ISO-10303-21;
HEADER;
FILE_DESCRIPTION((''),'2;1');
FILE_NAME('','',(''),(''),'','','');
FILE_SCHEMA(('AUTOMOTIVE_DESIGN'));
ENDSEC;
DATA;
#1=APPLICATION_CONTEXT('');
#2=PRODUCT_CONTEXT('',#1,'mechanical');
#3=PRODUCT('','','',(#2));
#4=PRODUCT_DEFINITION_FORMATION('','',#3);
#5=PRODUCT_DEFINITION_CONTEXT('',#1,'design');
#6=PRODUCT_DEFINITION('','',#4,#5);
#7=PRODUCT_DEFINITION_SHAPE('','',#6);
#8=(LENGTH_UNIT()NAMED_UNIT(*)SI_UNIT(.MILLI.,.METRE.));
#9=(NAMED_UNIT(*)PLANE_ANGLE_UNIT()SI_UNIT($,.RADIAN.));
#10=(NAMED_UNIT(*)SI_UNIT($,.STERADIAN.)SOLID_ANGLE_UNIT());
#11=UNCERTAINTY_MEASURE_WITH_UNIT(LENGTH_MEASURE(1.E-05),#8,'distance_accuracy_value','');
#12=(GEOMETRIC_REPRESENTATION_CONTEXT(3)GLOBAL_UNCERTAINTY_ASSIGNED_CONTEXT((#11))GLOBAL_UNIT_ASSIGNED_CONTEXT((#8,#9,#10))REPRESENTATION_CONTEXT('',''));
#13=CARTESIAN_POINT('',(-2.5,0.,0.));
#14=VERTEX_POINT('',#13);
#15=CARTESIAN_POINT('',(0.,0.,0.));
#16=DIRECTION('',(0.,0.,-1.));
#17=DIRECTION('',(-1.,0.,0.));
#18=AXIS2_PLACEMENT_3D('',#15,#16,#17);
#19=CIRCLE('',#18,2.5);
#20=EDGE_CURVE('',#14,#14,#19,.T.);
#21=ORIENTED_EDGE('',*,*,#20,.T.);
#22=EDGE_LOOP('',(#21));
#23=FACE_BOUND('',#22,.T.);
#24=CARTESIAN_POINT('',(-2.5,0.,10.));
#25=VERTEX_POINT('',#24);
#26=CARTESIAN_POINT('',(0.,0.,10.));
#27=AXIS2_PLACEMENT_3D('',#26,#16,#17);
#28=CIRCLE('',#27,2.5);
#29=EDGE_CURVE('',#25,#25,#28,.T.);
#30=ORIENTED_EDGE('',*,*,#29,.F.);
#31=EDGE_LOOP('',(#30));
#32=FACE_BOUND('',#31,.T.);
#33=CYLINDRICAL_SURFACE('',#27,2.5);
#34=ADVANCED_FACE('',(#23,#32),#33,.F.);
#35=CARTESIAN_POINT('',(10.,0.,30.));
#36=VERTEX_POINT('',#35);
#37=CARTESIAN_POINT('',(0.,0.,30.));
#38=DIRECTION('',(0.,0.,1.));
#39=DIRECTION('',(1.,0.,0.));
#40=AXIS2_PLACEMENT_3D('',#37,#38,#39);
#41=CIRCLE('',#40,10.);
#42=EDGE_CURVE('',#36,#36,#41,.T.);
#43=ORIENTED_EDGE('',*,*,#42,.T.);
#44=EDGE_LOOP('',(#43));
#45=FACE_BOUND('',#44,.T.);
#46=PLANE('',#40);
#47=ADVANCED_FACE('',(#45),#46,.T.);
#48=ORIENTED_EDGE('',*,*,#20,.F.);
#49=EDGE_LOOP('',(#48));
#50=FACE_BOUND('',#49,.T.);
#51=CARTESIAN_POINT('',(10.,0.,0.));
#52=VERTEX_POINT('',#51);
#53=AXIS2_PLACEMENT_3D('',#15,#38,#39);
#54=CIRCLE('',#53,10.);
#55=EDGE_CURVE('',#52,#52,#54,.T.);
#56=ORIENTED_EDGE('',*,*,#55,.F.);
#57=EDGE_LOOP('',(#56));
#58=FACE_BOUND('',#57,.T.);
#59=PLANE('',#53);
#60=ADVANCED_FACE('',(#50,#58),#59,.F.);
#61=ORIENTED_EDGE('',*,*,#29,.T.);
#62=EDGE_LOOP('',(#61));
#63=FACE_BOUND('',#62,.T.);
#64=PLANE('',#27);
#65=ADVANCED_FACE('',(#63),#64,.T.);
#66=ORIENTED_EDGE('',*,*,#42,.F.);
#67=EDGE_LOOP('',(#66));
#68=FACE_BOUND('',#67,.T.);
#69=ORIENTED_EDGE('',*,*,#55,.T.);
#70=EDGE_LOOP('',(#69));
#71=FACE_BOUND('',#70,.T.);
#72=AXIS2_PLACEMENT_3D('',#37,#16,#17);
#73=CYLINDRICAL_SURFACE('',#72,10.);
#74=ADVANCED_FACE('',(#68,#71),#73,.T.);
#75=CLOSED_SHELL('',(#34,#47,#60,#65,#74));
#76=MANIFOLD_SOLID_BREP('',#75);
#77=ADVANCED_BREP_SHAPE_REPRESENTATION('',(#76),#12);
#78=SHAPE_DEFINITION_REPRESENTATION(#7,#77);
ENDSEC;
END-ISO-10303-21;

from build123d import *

# Parameters (mm, degrees)
ESQUISSE1_R             = 10
BOSS_EXTRU_1_DEPTH      = 30
ESQUISSE2_R             = 2.5
ENL_V_MAT_EXTRU_1_DEPTH = 10


with BuildPart() as part:
    # Esquisse1 → Boss.-Extru.1 (new body)
    with BuildSketch(Plane.XY):
        Circle(ESQUISSE1_R)
    extrude(amount=BOSS_EXTRU_1_DEPTH)

    # Esquisse2 → Enlèv. mat.-Extru.1 (cut)
    with BuildSketch(Plane(origin=(0, 0, 0), x_dir=(-1, 0, 0), z_dir=(0, 0, -1))):
        Circle(ESQUISSE2_R)
    extrude(amount=-ENL_V_MAT_EXTRU_1_DEPTH, mode=Mode.SUBTRACT)


solid = part.part
